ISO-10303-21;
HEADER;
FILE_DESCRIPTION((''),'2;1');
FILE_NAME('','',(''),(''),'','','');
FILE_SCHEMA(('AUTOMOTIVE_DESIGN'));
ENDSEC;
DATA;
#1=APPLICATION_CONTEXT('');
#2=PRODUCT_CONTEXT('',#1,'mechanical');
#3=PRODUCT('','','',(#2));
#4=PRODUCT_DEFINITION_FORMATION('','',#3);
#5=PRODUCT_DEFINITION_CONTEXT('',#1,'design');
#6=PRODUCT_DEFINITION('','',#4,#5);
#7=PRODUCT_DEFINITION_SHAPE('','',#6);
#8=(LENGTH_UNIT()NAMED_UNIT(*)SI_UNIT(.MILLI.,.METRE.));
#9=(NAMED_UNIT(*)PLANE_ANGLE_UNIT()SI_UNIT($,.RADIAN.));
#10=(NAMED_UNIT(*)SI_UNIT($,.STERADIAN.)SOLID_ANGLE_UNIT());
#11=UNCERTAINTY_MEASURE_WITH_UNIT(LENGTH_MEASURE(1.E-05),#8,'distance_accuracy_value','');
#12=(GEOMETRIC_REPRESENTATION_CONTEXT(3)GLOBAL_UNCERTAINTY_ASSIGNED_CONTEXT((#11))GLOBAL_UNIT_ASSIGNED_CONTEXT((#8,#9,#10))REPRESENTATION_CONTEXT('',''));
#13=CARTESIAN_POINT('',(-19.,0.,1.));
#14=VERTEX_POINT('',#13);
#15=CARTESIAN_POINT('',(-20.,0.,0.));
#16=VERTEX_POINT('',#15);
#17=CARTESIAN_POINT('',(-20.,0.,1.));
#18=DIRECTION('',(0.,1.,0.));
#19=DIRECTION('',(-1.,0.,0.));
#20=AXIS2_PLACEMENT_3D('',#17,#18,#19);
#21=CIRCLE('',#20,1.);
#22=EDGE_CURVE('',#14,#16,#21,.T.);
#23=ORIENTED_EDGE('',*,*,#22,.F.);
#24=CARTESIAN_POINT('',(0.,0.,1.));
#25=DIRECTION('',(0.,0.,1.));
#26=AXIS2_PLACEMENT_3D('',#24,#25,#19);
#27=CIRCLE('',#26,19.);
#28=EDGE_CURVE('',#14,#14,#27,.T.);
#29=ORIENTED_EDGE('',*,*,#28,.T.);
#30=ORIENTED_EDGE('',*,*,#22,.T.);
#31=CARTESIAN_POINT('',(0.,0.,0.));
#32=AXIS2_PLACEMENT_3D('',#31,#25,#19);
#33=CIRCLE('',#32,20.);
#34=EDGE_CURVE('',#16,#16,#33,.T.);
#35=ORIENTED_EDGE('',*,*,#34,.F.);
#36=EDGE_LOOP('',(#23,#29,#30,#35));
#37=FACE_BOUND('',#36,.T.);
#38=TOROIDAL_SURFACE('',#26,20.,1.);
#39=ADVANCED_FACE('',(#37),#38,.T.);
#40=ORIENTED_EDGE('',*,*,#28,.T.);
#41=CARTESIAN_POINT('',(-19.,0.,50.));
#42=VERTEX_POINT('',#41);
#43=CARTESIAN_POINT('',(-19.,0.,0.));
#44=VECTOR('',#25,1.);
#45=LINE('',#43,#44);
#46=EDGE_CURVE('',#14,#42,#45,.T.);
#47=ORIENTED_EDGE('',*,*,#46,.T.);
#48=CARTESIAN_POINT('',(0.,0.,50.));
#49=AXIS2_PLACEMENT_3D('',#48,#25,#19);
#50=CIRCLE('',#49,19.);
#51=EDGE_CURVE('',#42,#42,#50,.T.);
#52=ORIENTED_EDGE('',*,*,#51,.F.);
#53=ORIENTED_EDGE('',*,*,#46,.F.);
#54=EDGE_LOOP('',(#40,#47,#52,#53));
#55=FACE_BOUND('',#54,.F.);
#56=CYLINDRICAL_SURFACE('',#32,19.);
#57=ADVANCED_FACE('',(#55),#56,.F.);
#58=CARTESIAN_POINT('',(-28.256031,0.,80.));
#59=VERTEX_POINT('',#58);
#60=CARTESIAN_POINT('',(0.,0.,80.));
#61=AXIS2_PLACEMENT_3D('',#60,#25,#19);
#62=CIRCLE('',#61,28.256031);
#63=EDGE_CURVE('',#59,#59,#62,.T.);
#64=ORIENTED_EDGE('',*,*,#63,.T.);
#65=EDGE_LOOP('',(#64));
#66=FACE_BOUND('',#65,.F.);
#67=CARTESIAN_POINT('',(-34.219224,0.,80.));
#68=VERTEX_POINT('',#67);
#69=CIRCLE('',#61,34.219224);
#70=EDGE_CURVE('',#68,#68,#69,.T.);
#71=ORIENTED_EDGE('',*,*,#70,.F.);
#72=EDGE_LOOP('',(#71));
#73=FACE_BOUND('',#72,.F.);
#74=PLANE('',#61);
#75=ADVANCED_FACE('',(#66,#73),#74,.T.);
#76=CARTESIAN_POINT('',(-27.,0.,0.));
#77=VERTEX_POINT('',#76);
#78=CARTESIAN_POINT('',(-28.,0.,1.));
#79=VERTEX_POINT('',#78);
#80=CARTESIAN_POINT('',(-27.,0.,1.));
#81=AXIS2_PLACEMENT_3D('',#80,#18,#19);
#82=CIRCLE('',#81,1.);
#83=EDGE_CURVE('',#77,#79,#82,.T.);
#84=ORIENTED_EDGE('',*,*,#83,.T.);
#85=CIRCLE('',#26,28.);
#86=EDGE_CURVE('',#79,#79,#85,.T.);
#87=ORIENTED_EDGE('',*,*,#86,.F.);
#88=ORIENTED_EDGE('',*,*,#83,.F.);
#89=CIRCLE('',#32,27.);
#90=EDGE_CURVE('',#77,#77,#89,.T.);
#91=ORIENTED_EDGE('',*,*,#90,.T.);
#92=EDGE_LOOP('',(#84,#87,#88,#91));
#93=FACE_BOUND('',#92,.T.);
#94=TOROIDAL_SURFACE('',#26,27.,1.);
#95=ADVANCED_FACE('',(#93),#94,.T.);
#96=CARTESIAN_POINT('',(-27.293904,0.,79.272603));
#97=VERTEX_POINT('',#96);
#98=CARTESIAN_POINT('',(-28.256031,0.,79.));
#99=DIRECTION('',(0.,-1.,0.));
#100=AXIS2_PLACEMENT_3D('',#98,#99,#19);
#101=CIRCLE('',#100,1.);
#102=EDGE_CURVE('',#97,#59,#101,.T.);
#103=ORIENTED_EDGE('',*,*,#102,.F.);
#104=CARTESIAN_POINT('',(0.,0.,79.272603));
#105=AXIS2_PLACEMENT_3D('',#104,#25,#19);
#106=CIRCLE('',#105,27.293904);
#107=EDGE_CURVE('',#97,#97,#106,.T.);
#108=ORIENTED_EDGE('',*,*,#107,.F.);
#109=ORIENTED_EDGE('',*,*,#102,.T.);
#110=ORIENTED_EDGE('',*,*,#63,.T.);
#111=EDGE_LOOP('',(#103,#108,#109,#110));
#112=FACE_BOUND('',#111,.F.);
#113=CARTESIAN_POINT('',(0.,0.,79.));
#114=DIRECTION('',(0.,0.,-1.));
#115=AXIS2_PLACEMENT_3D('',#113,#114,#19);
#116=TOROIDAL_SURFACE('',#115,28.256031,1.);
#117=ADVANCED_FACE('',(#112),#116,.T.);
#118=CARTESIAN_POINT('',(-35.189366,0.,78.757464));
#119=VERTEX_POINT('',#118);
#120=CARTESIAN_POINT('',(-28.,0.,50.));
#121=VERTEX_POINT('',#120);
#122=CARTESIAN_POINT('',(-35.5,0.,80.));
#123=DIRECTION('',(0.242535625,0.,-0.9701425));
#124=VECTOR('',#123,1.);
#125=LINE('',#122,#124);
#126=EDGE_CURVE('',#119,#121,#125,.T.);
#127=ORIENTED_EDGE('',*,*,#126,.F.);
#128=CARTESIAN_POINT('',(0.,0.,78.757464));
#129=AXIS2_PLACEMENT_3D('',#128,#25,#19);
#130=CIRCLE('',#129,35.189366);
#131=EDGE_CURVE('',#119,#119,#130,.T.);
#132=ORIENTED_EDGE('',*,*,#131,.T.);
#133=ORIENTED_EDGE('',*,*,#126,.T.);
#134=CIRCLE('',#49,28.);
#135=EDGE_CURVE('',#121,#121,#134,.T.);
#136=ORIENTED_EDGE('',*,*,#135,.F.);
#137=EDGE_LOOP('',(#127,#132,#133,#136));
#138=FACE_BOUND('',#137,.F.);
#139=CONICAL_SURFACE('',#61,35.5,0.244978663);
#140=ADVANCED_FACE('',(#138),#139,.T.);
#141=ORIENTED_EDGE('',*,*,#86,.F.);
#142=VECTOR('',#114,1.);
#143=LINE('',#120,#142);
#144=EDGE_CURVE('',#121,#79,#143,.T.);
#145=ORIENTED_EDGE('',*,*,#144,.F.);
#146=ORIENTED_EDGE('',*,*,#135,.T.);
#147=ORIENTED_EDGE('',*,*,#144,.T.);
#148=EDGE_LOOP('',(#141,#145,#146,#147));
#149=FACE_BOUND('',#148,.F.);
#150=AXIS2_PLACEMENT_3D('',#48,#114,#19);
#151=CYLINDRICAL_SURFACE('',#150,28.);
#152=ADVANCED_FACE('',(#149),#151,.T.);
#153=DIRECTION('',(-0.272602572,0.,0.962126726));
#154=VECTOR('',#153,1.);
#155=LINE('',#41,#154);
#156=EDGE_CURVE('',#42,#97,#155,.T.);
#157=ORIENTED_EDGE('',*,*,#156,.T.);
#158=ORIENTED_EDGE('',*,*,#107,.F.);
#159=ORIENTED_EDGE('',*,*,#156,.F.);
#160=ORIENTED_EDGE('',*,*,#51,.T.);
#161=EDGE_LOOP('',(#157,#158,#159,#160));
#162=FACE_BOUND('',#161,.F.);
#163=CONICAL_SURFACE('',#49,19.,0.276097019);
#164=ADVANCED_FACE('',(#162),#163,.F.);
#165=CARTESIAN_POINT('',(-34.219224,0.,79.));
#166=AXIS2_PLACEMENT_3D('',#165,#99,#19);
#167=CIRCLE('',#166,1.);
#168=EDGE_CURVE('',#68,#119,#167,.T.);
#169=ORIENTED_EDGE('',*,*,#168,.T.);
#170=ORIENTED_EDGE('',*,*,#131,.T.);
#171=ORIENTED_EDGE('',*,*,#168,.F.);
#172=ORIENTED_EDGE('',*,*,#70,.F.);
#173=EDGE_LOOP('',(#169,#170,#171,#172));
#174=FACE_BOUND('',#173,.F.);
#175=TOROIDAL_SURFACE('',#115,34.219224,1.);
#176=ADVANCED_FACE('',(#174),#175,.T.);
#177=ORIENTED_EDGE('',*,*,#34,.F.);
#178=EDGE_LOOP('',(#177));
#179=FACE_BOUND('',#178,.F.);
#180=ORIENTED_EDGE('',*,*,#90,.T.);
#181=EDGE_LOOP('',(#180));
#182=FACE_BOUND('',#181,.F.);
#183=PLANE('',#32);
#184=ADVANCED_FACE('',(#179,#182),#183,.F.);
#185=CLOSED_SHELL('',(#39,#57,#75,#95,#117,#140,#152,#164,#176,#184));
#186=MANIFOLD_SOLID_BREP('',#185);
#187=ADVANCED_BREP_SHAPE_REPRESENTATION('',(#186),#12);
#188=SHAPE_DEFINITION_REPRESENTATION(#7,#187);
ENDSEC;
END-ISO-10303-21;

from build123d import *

# Parameters (mm, degrees)
F2_R = 1
F3_R = 1


with BuildPart() as f1:
    # F0 (on Front) → F1 (revolve)
    with BuildSketch(Plane.XZ):
        Polygon((-28, 50), (-28, 0), (-19, 0), (-19, 50), (-27.5, 80), (-35.5, 80), align=None)
    revolve(axis=Axis((0, 0, 61.423291), (0, 0, 1)))

    # F2
    f2_edges = [f1.edges().sort_by_distance(p)[0] for p in [
        (27.5, 0, 80),
    ]]
    fillet(f2_edges, radius=F2_R)

    # F3
    f3_edges = [f1.edges().sort_by_distance(p)[0] for p in [
        (35.5, 0, 80),
        (28, 0, 0),
        (19, 0, 0),
    ]]
    fillet(f3_edges, radius=F3_R)


solid = f1.part
